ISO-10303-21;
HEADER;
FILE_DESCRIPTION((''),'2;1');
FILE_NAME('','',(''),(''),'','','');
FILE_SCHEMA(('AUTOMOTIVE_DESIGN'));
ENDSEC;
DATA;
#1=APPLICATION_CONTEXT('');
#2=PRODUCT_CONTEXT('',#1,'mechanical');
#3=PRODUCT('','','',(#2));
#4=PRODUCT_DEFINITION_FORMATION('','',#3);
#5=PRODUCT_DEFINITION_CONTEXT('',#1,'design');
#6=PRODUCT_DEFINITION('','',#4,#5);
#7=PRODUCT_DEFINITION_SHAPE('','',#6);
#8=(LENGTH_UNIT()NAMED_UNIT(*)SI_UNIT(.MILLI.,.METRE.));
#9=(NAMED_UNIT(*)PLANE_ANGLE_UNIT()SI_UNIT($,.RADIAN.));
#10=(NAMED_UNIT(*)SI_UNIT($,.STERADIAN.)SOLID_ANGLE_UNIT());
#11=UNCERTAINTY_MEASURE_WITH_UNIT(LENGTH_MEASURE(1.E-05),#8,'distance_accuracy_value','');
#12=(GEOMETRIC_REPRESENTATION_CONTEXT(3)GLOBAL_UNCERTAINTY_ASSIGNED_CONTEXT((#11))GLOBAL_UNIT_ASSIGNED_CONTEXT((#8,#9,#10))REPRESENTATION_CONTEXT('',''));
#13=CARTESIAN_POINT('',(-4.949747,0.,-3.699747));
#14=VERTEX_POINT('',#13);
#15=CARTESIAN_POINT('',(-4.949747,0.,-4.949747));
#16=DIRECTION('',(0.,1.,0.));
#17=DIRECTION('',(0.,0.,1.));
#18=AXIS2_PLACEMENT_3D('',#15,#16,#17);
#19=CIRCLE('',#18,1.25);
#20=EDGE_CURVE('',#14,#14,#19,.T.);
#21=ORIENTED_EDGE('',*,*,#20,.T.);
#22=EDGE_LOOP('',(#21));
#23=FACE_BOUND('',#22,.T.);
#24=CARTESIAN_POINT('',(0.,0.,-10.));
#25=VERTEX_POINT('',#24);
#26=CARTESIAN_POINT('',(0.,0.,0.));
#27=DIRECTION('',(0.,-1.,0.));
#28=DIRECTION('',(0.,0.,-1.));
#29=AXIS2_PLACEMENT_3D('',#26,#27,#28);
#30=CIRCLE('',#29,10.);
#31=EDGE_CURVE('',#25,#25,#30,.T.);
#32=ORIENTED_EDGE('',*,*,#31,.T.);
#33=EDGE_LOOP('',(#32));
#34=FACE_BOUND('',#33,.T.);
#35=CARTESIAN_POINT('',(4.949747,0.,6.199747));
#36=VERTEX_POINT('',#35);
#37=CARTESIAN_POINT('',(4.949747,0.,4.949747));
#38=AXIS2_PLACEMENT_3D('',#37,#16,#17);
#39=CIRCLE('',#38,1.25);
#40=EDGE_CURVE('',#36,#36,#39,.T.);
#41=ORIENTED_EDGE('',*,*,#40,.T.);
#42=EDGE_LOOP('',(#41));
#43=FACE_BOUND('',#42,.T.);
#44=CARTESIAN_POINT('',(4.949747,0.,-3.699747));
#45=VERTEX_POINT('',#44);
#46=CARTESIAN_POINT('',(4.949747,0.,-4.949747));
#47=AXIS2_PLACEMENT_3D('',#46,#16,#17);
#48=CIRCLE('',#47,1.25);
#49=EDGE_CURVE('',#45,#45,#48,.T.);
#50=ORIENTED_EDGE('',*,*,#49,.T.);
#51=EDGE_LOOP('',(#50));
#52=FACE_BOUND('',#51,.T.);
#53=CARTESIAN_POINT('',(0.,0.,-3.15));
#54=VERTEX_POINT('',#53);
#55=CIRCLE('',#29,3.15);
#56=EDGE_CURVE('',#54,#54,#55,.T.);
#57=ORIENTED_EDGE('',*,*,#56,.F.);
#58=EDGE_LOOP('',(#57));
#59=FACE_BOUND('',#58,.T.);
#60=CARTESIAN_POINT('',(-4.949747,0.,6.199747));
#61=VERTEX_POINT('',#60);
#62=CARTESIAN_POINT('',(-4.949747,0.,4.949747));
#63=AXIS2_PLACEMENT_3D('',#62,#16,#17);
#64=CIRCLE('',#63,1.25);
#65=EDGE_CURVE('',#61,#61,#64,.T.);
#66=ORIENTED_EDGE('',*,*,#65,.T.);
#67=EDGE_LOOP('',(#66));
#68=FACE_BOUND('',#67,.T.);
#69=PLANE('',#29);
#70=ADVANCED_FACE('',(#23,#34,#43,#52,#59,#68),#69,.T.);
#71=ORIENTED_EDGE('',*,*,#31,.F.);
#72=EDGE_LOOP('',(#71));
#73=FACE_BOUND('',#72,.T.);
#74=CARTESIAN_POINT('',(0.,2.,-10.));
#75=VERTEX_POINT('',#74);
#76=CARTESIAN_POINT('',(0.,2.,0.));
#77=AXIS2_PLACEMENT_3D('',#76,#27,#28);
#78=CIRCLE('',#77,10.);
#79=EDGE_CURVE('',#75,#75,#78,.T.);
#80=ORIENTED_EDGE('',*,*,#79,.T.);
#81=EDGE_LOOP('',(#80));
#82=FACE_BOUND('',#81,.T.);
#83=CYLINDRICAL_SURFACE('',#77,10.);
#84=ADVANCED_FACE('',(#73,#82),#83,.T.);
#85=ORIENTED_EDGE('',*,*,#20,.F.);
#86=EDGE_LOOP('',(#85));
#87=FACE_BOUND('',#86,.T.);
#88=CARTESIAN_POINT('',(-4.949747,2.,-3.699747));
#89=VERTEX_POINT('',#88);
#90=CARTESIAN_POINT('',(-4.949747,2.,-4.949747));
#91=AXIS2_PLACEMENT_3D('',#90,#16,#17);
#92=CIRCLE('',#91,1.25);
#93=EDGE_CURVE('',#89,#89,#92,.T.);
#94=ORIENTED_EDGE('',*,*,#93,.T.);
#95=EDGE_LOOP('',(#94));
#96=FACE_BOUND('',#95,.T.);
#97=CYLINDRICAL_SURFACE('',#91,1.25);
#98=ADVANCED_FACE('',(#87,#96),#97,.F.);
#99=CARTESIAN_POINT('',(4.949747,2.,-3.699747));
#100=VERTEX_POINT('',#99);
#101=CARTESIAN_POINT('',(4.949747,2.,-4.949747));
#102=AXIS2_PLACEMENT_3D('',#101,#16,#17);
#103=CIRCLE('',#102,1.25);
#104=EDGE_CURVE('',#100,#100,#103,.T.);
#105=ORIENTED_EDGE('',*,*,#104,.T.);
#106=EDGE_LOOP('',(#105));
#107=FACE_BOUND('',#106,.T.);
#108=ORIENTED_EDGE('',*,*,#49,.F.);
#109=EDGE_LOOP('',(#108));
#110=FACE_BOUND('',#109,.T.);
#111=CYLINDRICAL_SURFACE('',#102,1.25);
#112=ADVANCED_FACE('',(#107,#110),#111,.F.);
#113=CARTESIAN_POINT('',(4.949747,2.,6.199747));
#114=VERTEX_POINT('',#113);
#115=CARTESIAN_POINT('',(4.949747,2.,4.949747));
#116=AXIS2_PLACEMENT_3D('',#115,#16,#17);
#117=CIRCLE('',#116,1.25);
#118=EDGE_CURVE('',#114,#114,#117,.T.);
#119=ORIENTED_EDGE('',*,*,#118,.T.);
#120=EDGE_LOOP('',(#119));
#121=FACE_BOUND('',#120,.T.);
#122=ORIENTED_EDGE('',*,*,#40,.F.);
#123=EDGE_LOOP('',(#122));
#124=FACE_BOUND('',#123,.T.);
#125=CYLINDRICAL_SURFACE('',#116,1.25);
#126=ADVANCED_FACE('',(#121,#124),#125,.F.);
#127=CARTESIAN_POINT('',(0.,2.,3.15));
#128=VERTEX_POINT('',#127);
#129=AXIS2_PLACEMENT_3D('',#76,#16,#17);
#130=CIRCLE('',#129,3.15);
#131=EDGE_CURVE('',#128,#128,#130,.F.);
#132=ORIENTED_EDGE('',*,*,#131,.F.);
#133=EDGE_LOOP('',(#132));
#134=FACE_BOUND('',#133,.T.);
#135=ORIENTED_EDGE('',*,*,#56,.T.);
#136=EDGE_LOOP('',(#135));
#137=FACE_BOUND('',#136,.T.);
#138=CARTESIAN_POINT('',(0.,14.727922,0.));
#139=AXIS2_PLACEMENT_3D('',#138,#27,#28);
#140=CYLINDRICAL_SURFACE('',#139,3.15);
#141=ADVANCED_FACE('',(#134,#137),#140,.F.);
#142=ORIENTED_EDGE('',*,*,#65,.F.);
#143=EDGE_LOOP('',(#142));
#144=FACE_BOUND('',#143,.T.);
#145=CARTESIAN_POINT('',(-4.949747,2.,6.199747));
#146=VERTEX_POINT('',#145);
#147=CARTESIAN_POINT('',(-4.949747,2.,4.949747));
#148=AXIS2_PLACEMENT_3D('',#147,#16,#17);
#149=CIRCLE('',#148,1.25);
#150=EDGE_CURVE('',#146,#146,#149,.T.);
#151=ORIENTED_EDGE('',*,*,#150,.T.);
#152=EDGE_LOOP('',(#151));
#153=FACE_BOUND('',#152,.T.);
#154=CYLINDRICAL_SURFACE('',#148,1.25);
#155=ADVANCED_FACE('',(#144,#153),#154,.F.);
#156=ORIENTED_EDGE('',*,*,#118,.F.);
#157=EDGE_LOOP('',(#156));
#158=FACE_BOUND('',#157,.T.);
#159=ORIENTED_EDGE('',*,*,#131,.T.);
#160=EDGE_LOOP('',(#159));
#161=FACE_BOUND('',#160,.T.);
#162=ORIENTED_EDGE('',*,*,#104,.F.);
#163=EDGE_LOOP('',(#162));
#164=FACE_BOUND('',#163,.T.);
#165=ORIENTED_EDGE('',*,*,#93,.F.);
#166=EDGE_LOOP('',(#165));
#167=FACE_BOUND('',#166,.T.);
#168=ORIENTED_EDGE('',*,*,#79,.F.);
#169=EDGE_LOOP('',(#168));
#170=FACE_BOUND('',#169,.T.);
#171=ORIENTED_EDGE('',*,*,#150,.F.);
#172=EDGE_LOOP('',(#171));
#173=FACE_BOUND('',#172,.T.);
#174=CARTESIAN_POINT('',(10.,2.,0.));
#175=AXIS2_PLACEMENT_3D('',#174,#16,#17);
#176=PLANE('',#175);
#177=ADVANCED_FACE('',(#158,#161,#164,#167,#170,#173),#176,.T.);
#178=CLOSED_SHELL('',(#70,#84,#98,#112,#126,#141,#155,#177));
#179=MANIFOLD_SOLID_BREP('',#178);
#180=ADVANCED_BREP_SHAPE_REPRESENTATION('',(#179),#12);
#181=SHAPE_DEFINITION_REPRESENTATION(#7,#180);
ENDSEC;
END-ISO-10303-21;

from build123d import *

# Parameters (mm, degrees)
SKETCH_1_W              = 10
SKETCH_1_H              = 2
SKETCH_2_R              = 4.5
EXTRUDE_1_DEPTH         = 2.5
CUT_EXTRUDE_1_DEPTH     = 3.6
HOLE_WIZARD_3_0_3_1_D   = 3
HOLE_WIZARD_2_5_2_5_1_D = 2.5
CHAMFER_1_SIZE          = 0.140560122
CHAMFER_1_EDGE_2_SIZE   = 0.140560122
CHAMFER_1_EDGE_3_SIZE   = 0.140560122
CHAMFER_1_EDGE_4_SIZE   = 0.140560122
CHAMFER_1_EDGE_5_SIZE   = 0.140560122
CHAMFER_1_EDGE_6_SIZE   = 0.140560122
CHAMFER_1_EDGE_7_SIZE   = 0.140560122
CHAMFER_1_EDGE_8_SIZE   = 0.140560122
CHAMFER_1_EDGE_9_SIZE   = 0.140560122
CHAMFER_1_EDGE_10_SIZE  = 0.140560122
CHAMFER_1_EDGE_11_SIZE  = 0.140560122
CHAMFER_1_EDGE_12_SIZE  = 0.140560122
CHAMFER_1_EDGE_13_SIZE  = 0.140560122
CHAMFER_1_EDGE_14_SIZE  = 0.140560122
CHAMFER_1_EDGE_15_SIZE  = 0.140560122
CHAMFER_1_EDGE_16_SIZE  = 0.140560122
CHAMFER_1_EDGE_17_SIZE  = 0.140560122
CHAMFER_1_EDGE_18_SIZE  = 0.140560122
CHAMFER_1_EDGE_19_SIZE  = 0.140560122
CHAMFER_1_EDGE_20_SIZE  = 0.140560122
CHAMFER_1_EDGE_21_SIZE  = 0.140560122
CHAMFER_1_EDGE_22_SIZE  = 0.140560122
CHAMFER_1_EDGE_23_SIZE  = 0.140560122
CHAMFER_1_EDGE_24_SIZE  = 0.140560122
CHAMFER_1_EDGE_25_SIZE  = 0.140560122
CHAMFER_1_EDGE_26_SIZE  = 0.140560122
SKETCH_8_R              = 4.5
CUT_EXTRUDE_2_DEPTH     = 4.5
SKETCH_9_R              = 4.5
SKETCH_9_R_2            = 3.15
EXTRUDE_2_DEPTH         = 2


with BuildPart() as part:
    # Эскиз1 → Повернуть1 (revolve)
    with BuildSketch(Plane.XY, mode=Mode.PRIVATE) as revolve_1_sk:
        with Locations((5, 1)):
            Rectangle(SKETCH_1_W, SKETCH_1_H)
    revolve(revolve_1_sk.sketch.rotate(Axis((0, 2, 0), (0, -1, 0)), 270), axis=Axis((0, 2, 0), (0, -1, 0)))

    # Эскиз2 → Бобышка-Вытянуть1 (add)
    with BuildSketch(Plane(origin=(0, 2, 0), x_dir=(-1, 0, 0), z_dir=(0, 1, 0))):
        with Locations(Location((0, 0, 0), (0, 0, 90))):
            Circle(SKETCH_2_R)
    extrude(amount=EXTRUDE_1_DEPTH)

    # Эскиз3 → Вырез-Вытянуть1 (cut)
    with BuildSketch(Plane(origin=(0, 4.5, 0), x_dir=(-1, 0, 0), z_dir=(0, 1, 0))):
        Polygon((-2.711547104, 1.028354172), (-2.477853855, 0.610736123), (-2.878855735, 0.349556373), (-2.552010646, 0), (-2.878855735, -0.349556373), (-2.477853855, -0.610736123), (-2.711547104, -1.028354172), (-2.259693204, -1.185978483), (-2.386653211, -1.647387766), (-1.910207398, -1.692296084), (-1.923055709, -2.17068117), (-1.449707281, -2.100263587), (-1.347697199, -2.567822474), (-0.904955447, -2.386171406), (-0.694015426, -2.815731271), (-0.307610891, -2.533403615), (0, -2.9), (0.307610891, -2.533403615), (0.694015426, -2.815731271), (0.904955447, -2.386171406), (1.347697199, -2.567822474), (1.449707281, -2.100263587), (1.923055709, -2.17068117), (1.910207398, -1.692296084), (2.386653211, -1.647387766), (2.259693204, -1.185978483), (2.711547104, -1.028354172), (2.477853855, -0.610736123), (2.878855735, -0.349556373), (2.552010646, 0), (2.878855735, 0.349556373), (2.477853855, 0.610736123), (2.711547104, 1.028354172), (2.259693204, 1.185978483), (2.386653211, 1.647387766), (1.910207398, 1.692296084), (1.923055709, 2.17068117), (1.449707281, 2.100263587), (1.347697199, 2.567822474), (0.904955447, 2.386171406), (0.694015426, 2.815731271), (0.307610891, 2.533403615), (0, 2.9), (-0.307610891, 2.533403615), (-0.694015426, 2.815731271), (-0.904955447, 2.386171406), (-1.347697199, 2.567822474), (-1.449707281, 2.100263587), (-1.923055709, 2.17068117), (-1.910207398, 1.692296084), (-2.386653211, 1.647387766), (-2.259693204, 1.185978483), align=None)
    extrude(amount=-CUT_EXTRUDE_1_DEPTH, mode=Mode.SUBTRACT)

    # Диаметр отверстия Ø3.0 (3)1 (through all)
    with Locations(Plane(origin=(0, 0.9, 0), x_dir=(1, 0, 0), z_dir=(0, 1, 0))):
        with Locations((0, 0)):
            Hole(HOLE_WIZARD_3_0_3_1_D / 2)

    # Диаметр отверстия Ø2.5 (2.5)1 (through all)
    with Locations(Plane(origin=(0, 2, 0), x_dir=(1, 0, 0), z_dir=(0, 1, 0))):
        with Locations((-4.949747468, 4.949747468), (4.949747468, 4.949747468), (4.949747468, -4.949747468), (-4.949747468, -4.949747468)):
            Hole(HOLE_WIZARD_2_5_2_5_1_D / 2)

    # Фаска1
    chamfer_1_edges = [part.edges().sort_by_distance(p)[0] for p in [
        (2.259693204, 2.7, 1.185978483),
    ]]
    chamfer(chamfer_1_edges, length=CHAMFER_1_SIZE)

    # Фаска1 edge 2
    chamfer_1_edge_2_edges = [part.edges().sort_by_distance(p)[0] for p in [
        (1.910207398, 2.7, 1.692296084),
    ]]
    chamfer(chamfer_1_edge_2_edges, length=CHAMFER_1_EDGE_2_SIZE)

    # Фаска1 edge 3
    chamfer_1_edge_3_edges = [part.edges().sort_by_distance(p)[0] for p in [
        (1.449707281, 2.7, 2.100263587),
    ]]
    chamfer(chamfer_1_edge_3_edges, length=CHAMFER_1_EDGE_3_SIZE)

    # Фаска1 edge 4
    chamfer_1_edge_4_edges = [part.edges().sort_by_distance(p)[0] for p in [
        (0.904955447, 2.7, 2.386171406),
    ]]
    chamfer(chamfer_1_edge_4_edges, length=CHAMFER_1_EDGE_4_SIZE)

    # Фаска1 edge 5
    chamfer_1_edge_5_edges = [part.edges().sort_by_distance(p)[0] for p in [
        (0.307610891, 2.7, 2.533403615),
    ]]
    chamfer(chamfer_1_edge_5_edges, length=CHAMFER_1_EDGE_5_SIZE)

    # Фаска1 edge 6
    chamfer_1_edge_6_edges = [part.edges().sort_by_distance(p)[0] for p in [
        (-0.307610891, 2.7, 2.533403615),
    ]]
    chamfer(chamfer_1_edge_6_edges, length=CHAMFER_1_EDGE_6_SIZE)

    # Фаска1 edge 7
    chamfer_1_edge_7_edges = [part.edges().sort_by_distance(p)[0] for p in [
        (-0.904955447, 2.7, 2.386171406),
    ]]
    chamfer(chamfer_1_edge_7_edges, length=CHAMFER_1_EDGE_7_SIZE)

    # Фаска1 edge 8
    chamfer_1_edge_8_edges = [part.edges().sort_by_distance(p)[0] for p in [
        (-1.449707281, 2.7, 2.100263587),
    ]]
    chamfer(chamfer_1_edge_8_edges, length=CHAMFER_1_EDGE_8_SIZE)

    # Фаска1 edge 9
    chamfer_1_edge_9_edges = [part.edges().sort_by_distance(p)[0] for p in [
        (-1.910207398, 2.7, 1.692296084),
    ]]
    chamfer(chamfer_1_edge_9_edges, length=CHAMFER_1_EDGE_9_SIZE)

    # Фаска1 edge 10
    chamfer_1_edge_10_edges = [part.edges().sort_by_distance(p)[0] for p in [
        (-2.259693204, 2.7, 1.185978483),
    ]]
    chamfer(chamfer_1_edge_10_edges, length=CHAMFER_1_EDGE_10_SIZE)

    # Фаска1 edge 11
    chamfer_1_edge_11_edges = [part.edges().sort_by_distance(p)[0] for p in [
        (-2.477853855, 2.7, 0.610736123),
    ]]
    chamfer(chamfer_1_edge_11_edges, length=CHAMFER_1_EDGE_11_SIZE)

    # Фаска1 edge 12
    chamfer_1_edge_12_edges = [part.edges().sort_by_distance(p)[0] for p in [
        (-2.552010646, 2.7, 0),
    ]]
    chamfer(chamfer_1_edge_12_edges, length=CHAMFER_1_EDGE_12_SIZE)

    # Фаска1 edge 13
    chamfer_1_edge_13_edges = [part.edges().sort_by_distance(p)[0] for p in [
        (-2.477853855, 2.7, -0.610736123),
    ]]
    chamfer(chamfer_1_edge_13_edges, length=CHAMFER_1_EDGE_13_SIZE)

    # Фаска1 edge 14
    chamfer_1_edge_14_edges = [part.edges().sort_by_distance(p)[0] for p in [
        (-2.259693204, 2.7, -1.185978483),
    ]]
    chamfer(chamfer_1_edge_14_edges, length=CHAMFER_1_EDGE_14_SIZE)

    # Фаска1 edge 15
    chamfer_1_edge_15_edges = [part.edges().sort_by_distance(p)[0] for p in [
        (-1.910207398, 2.7, -1.692296084),
    ]]
    chamfer(chamfer_1_edge_15_edges, length=CHAMFER_1_EDGE_15_SIZE)

    # Фаска1 edge 16
    chamfer_1_edge_16_edges = [part.edges().sort_by_distance(p)[0] for p in [
        (-1.449707281, 2.7, -2.100263587),
    ]]
    chamfer(chamfer_1_edge_16_edges, length=CHAMFER_1_EDGE_16_SIZE)

    # Фаска1 edge 17
    chamfer_1_edge_17_edges = [part.edges().sort_by_distance(p)[0] for p in [
        (-0.904955447, 2.7, -2.386171406),
    ]]
    chamfer(chamfer_1_edge_17_edges, length=CHAMFER_1_EDGE_17_SIZE)

    # Фаска1 edge 18
    chamfer_1_edge_18_edges = [part.edges().sort_by_distance(p)[0] for p in [
        (-0.307610891, 2.7, -2.533403615),
    ]]
    chamfer(chamfer_1_edge_18_edges, length=CHAMFER_1_EDGE_18_SIZE)

    # Фаска1 edge 19
    chamfer_1_edge_19_edges = [part.edges().sort_by_distance(p)[0] for p in [
        (0.307610891, 2.7, -2.533403615),
    ]]
    chamfer(chamfer_1_edge_19_edges, length=CHAMFER_1_EDGE_19_SIZE)

    # Фаска1 edge 20
    chamfer_1_edge_20_edges = [part.edges().sort_by_distance(p)[0] for p in [
        (0.904955447, 2.7, -2.386171406),
    ]]
    chamfer(chamfer_1_edge_20_edges, length=CHAMFER_1_EDGE_20_SIZE)

    # Фаска1 edge 21
    chamfer_1_edge_21_edges = [part.edges().sort_by_distance(p)[0] for p in [
        (1.449707281, 2.7, -2.100263587),
    ]]
    chamfer(chamfer_1_edge_21_edges, length=CHAMFER_1_EDGE_21_SIZE)

    # Фаска1 edge 22
    chamfer_1_edge_22_edges = [part.edges().sort_by_distance(p)[0] for p in [
        (1.910207398, 2.7, -1.692296084),
    ]]
    chamfer(chamfer_1_edge_22_edges, length=CHAMFER_1_EDGE_22_SIZE)

    # Фаска1 edge 23
    chamfer_1_edge_23_edges = [part.edges().sort_by_distance(p)[0] for p in [
        (2.259693204, 2.7, -1.185978483),
    ]]
    chamfer(chamfer_1_edge_23_edges, length=CHAMFER_1_EDGE_23_SIZE)

    # Фаска1 edge 24
    chamfer_1_edge_24_edges = [part.edges().sort_by_distance(p)[0] for p in [
        (2.477853855, 2.7, -0.610736123),
    ]]
    chamfer(chamfer_1_edge_24_edges, length=CHAMFER_1_EDGE_24_SIZE)

    # Фаска1 edge 25
    chamfer_1_edge_25_edges = [part.edges().sort_by_distance(p)[0] for p in [
        (2.552010646, 2.7, 0),
    ]]
    chamfer(chamfer_1_edge_25_edges, length=CHAMFER_1_EDGE_25_SIZE)

    # Фаска1 edge 26
    chamfer_1_edge_26_edges = [part.edges().sort_by_distance(p)[0] for p in [
        (2.477853855, 2.7, 0.610736123),
    ]]
    chamfer(chamfer_1_edge_26_edges, length=CHAMFER_1_EDGE_26_SIZE)

    # Эскиз8 → Вырез-Вытянуть2 (cut)
    with BuildSketch(Plane(origin=(0, 4.5, 0), x_dir=(1, 0, 0), z_dir=(0, 1, 0))):
        with Locations(Location((0, 0, 0), (0, 0, 270))):
            Circle(SKETCH_8_R)
    extrude(amount=-CUT_EXTRUDE_2_DEPTH, mode=Mode.SUBTRACT)

    # Эскиз9 → Бобышка-Вытянуть2 (add)
    with BuildSketch(Plane.XZ):
        Circle(SKETCH_9_R)
        with Locations(Location((0, 0, 0), (0, 0, 270))):
            Circle(SKETCH_9_R_2, mode=Mode.SUBTRACT)
    extrude(amount=-EXTRUDE_2_DEPTH)


solid = part.part
